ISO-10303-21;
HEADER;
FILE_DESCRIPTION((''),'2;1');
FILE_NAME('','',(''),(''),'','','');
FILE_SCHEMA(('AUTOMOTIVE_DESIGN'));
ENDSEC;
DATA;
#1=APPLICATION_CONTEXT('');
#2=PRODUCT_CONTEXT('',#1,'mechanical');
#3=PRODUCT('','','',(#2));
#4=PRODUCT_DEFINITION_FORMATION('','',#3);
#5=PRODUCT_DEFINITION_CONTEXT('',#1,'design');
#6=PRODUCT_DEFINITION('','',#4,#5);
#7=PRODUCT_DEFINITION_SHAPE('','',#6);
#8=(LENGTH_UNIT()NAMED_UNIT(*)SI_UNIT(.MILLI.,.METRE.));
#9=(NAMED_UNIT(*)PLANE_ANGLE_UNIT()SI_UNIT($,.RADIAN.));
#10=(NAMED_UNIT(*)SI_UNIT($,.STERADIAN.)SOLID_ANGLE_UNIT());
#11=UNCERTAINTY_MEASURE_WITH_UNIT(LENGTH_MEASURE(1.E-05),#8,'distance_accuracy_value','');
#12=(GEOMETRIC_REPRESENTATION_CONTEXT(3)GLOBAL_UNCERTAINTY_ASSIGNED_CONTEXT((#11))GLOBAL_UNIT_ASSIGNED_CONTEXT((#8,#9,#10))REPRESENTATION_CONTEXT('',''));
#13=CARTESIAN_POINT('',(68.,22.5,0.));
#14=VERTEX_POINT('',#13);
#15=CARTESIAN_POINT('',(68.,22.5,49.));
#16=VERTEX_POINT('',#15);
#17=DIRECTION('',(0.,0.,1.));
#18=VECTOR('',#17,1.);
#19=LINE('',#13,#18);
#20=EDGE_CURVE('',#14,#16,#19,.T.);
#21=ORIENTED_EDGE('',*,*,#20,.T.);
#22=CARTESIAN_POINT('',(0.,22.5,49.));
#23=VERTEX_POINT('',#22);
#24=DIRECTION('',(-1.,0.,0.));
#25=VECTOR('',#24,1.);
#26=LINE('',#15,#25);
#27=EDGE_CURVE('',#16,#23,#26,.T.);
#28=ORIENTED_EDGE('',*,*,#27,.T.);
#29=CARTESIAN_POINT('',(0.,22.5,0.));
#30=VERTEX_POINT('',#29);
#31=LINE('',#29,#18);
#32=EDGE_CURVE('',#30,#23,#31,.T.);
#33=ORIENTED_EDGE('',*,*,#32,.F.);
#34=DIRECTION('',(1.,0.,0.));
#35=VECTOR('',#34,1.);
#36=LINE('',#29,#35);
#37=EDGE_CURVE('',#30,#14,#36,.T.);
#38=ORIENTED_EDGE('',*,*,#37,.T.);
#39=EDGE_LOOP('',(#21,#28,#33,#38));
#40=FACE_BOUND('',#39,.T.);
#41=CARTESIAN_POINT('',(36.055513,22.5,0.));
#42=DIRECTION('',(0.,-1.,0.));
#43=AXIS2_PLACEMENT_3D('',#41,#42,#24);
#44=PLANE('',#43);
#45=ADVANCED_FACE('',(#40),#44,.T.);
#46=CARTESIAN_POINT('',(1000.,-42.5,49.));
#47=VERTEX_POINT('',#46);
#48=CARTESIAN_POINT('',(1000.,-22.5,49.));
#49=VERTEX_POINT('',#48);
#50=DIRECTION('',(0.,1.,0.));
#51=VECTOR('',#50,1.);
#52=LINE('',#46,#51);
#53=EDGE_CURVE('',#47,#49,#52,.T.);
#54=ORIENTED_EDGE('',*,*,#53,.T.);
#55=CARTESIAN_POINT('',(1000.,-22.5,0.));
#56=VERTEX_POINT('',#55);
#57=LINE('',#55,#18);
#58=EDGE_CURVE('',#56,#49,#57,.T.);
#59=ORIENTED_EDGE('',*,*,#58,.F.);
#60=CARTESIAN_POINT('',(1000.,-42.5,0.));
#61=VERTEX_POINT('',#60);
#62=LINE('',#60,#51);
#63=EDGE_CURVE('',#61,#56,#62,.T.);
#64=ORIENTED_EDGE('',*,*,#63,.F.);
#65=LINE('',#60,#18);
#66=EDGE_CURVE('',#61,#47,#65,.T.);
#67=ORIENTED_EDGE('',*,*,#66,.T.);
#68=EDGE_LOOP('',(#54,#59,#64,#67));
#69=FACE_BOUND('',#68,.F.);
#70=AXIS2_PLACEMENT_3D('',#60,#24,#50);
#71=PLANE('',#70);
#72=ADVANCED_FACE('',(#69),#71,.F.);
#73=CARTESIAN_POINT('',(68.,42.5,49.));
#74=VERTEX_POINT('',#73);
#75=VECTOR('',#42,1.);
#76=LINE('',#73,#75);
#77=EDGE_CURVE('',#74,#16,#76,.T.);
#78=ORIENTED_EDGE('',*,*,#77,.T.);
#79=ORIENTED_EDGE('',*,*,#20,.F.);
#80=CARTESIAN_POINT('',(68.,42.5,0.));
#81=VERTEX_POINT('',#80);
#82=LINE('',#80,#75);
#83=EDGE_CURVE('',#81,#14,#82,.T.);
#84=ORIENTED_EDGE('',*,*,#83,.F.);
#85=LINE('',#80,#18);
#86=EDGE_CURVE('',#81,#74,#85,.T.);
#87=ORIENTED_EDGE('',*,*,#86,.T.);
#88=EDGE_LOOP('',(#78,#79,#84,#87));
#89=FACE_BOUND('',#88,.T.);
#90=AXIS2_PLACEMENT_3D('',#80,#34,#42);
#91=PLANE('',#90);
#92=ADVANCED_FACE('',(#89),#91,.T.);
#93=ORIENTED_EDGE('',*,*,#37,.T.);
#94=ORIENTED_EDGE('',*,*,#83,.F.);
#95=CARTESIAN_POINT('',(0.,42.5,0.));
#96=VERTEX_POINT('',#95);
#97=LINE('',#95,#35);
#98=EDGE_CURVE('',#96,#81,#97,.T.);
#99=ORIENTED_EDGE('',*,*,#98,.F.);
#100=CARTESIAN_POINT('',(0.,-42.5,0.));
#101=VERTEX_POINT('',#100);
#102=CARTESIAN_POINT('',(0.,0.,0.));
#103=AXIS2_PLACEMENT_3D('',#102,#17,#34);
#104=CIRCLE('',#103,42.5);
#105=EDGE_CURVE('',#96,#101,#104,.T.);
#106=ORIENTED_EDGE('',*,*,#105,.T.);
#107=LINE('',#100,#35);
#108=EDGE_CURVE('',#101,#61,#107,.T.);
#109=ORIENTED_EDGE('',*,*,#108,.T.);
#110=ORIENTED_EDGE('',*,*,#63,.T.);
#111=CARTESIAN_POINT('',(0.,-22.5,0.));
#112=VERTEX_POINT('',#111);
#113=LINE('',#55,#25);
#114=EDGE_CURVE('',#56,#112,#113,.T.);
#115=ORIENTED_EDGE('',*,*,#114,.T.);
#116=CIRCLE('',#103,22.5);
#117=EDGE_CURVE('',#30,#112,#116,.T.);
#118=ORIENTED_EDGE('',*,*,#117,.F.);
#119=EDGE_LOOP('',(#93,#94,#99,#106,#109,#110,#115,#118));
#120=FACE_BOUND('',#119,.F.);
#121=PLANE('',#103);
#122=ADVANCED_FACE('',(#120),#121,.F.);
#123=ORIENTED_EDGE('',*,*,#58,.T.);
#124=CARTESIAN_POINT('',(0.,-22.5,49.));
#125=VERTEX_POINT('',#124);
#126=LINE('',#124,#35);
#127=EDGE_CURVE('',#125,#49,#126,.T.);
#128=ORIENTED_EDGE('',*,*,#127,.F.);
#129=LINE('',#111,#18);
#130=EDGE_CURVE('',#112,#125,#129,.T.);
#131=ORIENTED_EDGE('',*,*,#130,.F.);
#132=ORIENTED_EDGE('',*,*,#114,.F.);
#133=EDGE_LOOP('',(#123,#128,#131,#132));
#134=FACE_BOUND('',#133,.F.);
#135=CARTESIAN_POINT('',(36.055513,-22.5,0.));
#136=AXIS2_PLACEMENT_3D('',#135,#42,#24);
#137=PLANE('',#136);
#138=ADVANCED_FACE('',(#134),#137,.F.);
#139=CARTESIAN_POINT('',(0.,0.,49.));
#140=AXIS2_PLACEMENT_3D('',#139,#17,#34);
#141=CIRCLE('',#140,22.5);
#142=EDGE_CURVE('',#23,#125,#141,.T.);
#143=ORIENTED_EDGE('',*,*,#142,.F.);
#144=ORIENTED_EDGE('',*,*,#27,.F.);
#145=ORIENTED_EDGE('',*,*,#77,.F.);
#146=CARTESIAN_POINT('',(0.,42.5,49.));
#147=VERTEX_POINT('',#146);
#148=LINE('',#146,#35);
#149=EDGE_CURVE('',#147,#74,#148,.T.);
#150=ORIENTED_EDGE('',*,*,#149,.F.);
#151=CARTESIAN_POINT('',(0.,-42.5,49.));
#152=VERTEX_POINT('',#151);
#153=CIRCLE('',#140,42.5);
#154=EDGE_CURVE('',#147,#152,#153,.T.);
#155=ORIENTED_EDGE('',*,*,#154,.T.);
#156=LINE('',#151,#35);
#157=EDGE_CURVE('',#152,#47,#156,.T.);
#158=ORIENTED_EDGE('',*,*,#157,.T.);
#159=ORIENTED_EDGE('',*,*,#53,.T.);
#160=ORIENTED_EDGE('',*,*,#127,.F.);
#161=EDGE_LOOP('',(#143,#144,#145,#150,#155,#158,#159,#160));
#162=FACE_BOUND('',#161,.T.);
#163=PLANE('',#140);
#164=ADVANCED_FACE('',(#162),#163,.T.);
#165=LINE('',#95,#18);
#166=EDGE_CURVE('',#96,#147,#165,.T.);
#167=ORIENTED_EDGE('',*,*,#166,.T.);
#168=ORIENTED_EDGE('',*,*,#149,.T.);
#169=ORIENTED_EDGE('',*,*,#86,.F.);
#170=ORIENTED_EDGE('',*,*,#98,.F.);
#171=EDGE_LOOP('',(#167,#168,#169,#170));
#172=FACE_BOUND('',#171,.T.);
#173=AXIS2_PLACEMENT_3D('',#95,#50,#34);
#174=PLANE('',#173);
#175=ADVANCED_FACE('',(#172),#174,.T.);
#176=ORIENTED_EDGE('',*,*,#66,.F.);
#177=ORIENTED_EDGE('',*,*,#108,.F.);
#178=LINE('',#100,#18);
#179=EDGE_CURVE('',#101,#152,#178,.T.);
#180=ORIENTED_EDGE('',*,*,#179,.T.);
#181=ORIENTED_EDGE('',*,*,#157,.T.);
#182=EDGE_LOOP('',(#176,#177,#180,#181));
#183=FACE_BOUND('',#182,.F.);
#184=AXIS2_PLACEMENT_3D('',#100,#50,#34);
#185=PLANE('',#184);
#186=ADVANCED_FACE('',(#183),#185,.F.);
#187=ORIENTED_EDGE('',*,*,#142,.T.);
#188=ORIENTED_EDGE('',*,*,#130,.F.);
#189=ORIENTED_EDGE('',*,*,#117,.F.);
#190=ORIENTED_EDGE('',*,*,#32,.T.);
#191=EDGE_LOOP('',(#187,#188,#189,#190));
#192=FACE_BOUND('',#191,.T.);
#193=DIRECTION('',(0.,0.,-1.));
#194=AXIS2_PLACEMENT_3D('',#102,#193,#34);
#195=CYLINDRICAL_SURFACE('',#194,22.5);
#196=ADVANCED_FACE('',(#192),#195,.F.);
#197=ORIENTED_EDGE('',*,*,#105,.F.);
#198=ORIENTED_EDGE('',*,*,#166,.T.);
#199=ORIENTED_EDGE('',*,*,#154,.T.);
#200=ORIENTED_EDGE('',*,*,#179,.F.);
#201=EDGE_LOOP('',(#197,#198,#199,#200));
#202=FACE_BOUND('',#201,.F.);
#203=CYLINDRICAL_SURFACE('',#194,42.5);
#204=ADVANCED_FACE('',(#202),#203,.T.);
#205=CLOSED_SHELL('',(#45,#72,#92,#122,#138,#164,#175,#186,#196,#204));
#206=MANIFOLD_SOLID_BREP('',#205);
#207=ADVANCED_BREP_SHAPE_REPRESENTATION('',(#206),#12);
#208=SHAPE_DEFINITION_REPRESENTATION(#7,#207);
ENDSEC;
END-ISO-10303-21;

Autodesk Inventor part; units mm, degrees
ref_plane "YZ Plane" through (0, 0, 0) normal (1, 0, 0) x (0, 1, 0)
ref_plane "XZ Plane" through (0, 0, 0) normal (0, 1, 0) x (-1, 0, 0)
ref_plane "XY Plane" through (0, 0, 0) normal (0, 0, 1) x (1, 0, 0)
sketch "Sketch1" plane through (0, 0, 0) normal (0, 0, 1) x (1, 0, 0)
  circle A0 centre (0, 0) radius 42.5
  line L0 (0, -42.5) -> (1000, -42.5)
  line L1 (1000, -42.5) -> (1000, -22.5)
  line L2 (1000, -22.5) -> (0, -22.5)
  line L3 (0, -22.5) -> (0, -42.5)
  line L4 (0, 42.5) -> (68, 42.5)
  line L5 (68, 42.5) -> (68, 22.5)
  line L6 (68, 22.5) -> (0, 22.5)
  line L7 (0, 22.5) -> (0, 42.5)
  circle A1 centre (0, 0) radius 22.5
  point P0 (0, -22.5)
  point P1 (0, 22.5)
  dimension "d0" = 85
  dimension "d1" = 20
  dimension "d2" = 20
  dimension "d4" = 1000
  dimension "d7" = 68
extrude "Extrusion1" add sketch "Sketch1" along normal blind 49 contours L7 A1 L3 A0 | L4 L5 L6 A0 | A0 L6 L7 | L3 L2 A0 | A0 L2 L1 L0
properties part number "J15BF.1.40_Yaxis"
